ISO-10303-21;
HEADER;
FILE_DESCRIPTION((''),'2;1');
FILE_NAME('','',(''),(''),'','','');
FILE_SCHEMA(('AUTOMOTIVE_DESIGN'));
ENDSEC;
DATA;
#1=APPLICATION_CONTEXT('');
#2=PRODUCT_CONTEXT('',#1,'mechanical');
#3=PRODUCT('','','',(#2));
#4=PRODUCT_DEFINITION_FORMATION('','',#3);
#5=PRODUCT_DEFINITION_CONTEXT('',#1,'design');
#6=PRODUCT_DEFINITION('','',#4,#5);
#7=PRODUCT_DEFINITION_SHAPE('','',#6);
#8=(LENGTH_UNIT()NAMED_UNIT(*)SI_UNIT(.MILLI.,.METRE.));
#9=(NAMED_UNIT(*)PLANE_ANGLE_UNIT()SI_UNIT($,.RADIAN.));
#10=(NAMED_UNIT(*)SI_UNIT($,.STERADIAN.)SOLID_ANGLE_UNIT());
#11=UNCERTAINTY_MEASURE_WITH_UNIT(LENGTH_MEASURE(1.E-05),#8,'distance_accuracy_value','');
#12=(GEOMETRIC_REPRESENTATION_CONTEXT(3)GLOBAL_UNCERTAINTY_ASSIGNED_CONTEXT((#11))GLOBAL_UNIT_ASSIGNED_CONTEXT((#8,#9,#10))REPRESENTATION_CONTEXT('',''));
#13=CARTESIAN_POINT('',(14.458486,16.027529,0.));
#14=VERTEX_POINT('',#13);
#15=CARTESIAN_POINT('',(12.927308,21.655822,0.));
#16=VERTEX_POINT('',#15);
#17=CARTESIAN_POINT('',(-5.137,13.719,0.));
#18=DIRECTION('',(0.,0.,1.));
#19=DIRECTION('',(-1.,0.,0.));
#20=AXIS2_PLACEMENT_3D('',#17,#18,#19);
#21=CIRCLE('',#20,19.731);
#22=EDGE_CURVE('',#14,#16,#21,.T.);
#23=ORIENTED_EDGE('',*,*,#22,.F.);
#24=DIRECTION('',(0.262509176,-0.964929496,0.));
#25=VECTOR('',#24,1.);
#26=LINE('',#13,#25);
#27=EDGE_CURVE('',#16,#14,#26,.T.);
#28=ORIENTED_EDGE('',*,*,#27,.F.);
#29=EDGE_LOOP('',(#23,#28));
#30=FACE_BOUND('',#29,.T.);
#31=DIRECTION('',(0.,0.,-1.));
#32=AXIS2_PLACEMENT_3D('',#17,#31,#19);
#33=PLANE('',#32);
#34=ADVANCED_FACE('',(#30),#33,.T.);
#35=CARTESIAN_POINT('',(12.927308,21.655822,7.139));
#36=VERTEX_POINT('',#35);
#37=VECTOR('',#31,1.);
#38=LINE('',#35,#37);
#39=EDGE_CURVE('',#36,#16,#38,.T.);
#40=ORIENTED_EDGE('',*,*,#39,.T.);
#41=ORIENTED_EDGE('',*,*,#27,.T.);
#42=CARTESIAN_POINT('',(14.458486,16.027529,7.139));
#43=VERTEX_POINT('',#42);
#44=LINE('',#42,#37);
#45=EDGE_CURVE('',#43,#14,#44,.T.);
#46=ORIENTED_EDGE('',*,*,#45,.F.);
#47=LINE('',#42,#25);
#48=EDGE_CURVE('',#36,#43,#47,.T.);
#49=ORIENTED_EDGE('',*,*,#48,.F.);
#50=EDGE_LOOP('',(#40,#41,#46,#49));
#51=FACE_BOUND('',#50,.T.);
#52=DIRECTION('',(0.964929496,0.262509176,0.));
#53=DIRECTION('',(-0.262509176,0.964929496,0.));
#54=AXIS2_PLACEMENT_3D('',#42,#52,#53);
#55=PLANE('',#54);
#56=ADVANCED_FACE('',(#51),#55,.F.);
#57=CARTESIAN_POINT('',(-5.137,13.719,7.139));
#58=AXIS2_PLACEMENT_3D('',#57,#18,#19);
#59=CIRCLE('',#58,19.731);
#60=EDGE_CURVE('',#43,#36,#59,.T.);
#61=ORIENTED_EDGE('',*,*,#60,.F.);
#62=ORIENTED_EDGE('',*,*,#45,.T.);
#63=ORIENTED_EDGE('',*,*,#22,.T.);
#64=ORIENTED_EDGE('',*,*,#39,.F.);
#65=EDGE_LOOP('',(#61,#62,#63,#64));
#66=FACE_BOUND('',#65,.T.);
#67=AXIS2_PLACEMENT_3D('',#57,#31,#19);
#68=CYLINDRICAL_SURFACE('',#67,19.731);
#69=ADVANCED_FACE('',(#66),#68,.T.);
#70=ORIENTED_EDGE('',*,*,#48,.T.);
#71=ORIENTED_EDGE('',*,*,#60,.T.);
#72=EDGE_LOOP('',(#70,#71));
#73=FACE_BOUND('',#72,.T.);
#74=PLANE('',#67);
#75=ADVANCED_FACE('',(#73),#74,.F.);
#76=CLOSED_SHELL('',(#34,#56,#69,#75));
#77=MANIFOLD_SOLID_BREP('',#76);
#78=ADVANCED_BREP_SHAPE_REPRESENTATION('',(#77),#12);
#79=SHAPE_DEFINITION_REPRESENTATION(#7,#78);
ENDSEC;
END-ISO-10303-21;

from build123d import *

# Parameters (mm, degrees)
CURVEBOSS_DEPTH = 7.139


with BuildPart() as part:
    # CurveSketch → CurveBoss (new body)
    with BuildSketch(Plane.XY):
        with BuildLine():
            Line((14.458485626, 16.02752855), (12.927307673, 21.655822369))
            ThreePointArc((12.927307673, 21.655822369), (13.902023889, 18.898568548), (14.458485626, 16.02752855))
        make_face()
    extrude(amount=CURVEBOSS_DEPTH)


solid = part.part
